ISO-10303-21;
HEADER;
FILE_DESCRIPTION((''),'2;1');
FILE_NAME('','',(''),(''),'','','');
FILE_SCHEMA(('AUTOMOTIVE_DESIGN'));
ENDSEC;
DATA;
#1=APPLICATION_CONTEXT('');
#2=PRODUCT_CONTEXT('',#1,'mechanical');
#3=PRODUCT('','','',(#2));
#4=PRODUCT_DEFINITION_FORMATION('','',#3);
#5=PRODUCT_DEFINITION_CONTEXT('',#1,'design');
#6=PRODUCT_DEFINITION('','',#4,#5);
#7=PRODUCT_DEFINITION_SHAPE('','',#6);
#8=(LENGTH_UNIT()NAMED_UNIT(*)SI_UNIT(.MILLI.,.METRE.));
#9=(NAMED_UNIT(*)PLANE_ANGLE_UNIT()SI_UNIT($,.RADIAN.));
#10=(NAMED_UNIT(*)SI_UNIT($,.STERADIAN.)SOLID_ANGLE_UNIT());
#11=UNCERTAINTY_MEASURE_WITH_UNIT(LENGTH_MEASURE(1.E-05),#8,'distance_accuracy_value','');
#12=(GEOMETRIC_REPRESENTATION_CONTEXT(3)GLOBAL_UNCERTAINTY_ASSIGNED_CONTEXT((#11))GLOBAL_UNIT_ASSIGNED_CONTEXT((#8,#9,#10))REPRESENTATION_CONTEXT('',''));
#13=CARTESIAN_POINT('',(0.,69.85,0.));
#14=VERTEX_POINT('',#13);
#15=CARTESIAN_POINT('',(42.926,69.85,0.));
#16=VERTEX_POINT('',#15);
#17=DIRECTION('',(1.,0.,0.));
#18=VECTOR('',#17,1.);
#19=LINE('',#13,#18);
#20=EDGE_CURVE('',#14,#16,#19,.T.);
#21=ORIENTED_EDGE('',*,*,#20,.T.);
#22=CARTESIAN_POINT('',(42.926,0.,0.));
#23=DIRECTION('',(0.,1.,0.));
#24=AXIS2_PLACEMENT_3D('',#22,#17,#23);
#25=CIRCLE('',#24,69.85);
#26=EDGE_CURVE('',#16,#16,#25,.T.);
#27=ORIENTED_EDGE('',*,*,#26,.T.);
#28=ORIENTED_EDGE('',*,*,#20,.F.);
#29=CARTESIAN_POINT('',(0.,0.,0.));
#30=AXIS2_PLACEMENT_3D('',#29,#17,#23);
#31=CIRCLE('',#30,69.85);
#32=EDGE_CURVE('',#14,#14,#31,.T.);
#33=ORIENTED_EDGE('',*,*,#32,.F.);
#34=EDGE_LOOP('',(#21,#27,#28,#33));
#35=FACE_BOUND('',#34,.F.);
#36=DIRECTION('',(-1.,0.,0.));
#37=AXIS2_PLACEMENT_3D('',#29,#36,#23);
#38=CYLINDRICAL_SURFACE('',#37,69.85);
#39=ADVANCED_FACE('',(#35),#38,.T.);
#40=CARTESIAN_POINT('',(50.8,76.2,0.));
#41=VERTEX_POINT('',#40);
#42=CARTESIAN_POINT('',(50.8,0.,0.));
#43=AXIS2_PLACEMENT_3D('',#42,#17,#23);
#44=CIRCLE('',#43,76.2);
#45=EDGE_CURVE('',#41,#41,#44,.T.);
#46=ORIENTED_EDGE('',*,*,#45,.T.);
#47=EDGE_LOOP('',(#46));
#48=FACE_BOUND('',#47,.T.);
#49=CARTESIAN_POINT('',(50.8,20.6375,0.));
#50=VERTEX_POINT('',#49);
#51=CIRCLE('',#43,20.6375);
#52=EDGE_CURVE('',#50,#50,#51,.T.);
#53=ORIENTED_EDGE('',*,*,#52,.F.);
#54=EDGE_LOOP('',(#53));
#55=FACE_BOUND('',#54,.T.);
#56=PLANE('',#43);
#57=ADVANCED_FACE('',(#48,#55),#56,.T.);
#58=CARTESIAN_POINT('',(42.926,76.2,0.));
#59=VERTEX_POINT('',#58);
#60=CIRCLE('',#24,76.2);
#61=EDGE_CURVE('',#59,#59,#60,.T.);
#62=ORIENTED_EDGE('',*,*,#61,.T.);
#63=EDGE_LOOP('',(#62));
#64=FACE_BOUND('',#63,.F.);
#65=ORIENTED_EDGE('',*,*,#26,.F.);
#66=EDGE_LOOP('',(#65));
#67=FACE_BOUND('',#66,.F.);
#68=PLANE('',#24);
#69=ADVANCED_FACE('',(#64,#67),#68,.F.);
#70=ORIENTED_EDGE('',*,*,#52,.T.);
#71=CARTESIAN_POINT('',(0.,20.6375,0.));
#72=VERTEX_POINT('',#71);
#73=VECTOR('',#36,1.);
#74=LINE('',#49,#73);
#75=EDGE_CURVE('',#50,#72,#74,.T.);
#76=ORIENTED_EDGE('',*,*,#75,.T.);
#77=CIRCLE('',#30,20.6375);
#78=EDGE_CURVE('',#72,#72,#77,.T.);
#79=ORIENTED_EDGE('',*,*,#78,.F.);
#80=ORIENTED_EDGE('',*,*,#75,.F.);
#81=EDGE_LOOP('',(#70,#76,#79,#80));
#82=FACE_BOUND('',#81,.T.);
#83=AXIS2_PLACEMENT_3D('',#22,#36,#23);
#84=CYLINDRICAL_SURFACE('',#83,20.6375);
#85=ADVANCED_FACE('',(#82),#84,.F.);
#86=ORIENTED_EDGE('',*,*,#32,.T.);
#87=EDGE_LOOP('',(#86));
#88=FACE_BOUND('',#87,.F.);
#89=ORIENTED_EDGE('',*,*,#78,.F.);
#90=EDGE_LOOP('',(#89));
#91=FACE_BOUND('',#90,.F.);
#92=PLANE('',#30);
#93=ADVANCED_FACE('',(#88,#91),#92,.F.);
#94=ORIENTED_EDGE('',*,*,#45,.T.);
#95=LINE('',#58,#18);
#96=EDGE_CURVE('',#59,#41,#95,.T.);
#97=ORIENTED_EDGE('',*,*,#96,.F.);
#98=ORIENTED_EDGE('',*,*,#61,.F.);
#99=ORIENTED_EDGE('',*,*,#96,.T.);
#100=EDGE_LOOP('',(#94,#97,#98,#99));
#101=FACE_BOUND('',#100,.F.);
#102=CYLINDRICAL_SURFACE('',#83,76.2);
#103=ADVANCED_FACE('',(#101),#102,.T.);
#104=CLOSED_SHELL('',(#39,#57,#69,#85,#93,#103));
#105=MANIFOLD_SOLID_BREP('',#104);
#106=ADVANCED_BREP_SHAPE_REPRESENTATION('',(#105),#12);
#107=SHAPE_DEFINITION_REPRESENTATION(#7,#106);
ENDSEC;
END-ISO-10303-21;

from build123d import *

# Parameters (mm, degrees)
F0_R     = 69.85
F0_R_2   = 20.6375
F1_DEPTH = 42.926
F2_R     = 76.2
F2_R_2   = 20.6375
F3_DEPTH = 7.874


with BuildPart() as f1:
    # F0 (on Right) → F1 (new body)
    with BuildSketch(Plane.YZ):
        Circle(F0_R)
        Circle(F0_R_2, mode=Mode.SUBTRACT)
    extrude(amount=F1_DEPTH)

    # F2 (on face) → F3 (join)
    with BuildSketch(Plane.YZ.offset(42.926)):
        Circle(F2_R)
        Circle(F2_R_2, mode=Mode.SUBTRACT)
    extrude(amount=F3_DEPTH)


solid = f1.part
